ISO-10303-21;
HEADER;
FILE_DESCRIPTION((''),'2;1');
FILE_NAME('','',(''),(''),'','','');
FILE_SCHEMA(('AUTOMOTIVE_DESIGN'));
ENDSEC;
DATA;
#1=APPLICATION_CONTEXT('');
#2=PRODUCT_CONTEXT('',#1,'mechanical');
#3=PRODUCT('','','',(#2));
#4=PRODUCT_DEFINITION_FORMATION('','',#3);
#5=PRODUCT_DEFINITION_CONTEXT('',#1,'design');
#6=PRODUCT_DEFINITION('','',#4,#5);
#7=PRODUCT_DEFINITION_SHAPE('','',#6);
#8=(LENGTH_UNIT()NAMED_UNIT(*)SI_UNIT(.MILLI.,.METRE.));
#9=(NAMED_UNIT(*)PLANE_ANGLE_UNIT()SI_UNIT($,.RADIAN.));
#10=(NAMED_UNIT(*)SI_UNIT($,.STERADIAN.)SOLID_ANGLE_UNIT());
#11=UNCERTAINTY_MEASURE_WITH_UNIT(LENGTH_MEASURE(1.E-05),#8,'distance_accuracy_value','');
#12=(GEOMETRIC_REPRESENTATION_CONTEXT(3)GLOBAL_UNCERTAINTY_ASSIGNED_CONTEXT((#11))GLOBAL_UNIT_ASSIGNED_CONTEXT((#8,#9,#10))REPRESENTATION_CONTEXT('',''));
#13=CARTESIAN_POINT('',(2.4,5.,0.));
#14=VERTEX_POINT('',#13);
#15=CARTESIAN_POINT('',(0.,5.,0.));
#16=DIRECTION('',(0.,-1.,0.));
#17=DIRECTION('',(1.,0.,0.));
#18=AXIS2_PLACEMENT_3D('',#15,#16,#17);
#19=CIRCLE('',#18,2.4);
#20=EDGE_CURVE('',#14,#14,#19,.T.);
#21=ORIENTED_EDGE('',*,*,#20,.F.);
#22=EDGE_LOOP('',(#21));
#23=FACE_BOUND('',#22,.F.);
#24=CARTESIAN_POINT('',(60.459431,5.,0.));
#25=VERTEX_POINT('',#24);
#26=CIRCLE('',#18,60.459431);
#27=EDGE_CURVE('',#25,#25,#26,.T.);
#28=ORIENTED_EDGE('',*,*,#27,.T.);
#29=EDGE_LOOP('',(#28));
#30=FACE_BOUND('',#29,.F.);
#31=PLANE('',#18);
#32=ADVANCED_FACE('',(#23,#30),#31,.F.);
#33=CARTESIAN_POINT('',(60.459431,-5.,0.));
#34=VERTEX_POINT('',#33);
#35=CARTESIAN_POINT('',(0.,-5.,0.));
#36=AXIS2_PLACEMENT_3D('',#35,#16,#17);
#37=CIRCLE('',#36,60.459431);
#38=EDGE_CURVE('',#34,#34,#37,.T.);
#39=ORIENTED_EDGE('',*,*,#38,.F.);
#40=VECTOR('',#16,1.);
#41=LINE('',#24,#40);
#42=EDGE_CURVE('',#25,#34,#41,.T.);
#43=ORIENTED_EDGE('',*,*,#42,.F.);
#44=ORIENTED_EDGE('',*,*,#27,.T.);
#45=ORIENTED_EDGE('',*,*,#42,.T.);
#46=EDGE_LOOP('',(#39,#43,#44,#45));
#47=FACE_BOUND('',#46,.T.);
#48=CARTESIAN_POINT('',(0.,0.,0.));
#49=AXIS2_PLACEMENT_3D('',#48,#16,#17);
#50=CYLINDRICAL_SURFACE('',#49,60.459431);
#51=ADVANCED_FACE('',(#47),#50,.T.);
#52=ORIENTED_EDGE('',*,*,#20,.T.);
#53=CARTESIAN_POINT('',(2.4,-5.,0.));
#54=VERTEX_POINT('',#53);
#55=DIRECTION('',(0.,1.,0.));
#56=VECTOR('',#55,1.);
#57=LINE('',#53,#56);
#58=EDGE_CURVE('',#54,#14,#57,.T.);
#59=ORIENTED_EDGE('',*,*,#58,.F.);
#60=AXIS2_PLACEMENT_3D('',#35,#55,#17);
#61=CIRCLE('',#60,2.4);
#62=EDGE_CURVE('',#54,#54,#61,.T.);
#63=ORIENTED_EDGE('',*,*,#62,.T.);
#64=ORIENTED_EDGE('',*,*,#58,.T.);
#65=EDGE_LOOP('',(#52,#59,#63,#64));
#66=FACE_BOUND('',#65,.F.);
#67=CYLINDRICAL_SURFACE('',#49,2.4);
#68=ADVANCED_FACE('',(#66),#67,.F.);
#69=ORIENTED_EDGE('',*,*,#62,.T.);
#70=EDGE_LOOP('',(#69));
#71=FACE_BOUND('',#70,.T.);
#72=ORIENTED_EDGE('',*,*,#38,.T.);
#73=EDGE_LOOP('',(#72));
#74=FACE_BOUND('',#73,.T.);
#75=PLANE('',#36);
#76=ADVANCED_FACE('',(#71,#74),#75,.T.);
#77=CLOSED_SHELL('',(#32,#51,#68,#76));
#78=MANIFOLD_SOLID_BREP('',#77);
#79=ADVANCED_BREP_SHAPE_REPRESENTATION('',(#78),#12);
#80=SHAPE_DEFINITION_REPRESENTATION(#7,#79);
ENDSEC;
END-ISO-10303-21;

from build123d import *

# Parameters (mm, degrees)
F0_R     = 60.459431
F2_DEPTH = 5
F1_R     = 2.4
F3_DEPTH = 5
F4_DEPTH = 25
F5_DEPTH = 25


with BuildPart() as f2:
    # F0 (on Front) → F2 (new body, symmetric)
    with BuildSketch(Plane.XZ):
        Circle(F0_R)
    extrude(amount=F2_DEPTH, both=True)

    # F1 (on face) → F3 (join, through all)
    with BuildSketch(Plane.XZ):
        Circle(F1_R)
    extrude(amount=F3_DEPTH)

    # F1 (on face) → F4 (cut)
    with BuildSketch(Plane.XZ):
        Circle(F1_R)
    extrude(amount=-F4_DEPTH, mode=Mode.SUBTRACT)

    # F1 (on face) → F5 (cut)
    with BuildSketch(Plane.XZ):
        Circle(F1_R)
    extrude(amount=F5_DEPTH, mode=Mode.SUBTRACT)


solid = f2.part
